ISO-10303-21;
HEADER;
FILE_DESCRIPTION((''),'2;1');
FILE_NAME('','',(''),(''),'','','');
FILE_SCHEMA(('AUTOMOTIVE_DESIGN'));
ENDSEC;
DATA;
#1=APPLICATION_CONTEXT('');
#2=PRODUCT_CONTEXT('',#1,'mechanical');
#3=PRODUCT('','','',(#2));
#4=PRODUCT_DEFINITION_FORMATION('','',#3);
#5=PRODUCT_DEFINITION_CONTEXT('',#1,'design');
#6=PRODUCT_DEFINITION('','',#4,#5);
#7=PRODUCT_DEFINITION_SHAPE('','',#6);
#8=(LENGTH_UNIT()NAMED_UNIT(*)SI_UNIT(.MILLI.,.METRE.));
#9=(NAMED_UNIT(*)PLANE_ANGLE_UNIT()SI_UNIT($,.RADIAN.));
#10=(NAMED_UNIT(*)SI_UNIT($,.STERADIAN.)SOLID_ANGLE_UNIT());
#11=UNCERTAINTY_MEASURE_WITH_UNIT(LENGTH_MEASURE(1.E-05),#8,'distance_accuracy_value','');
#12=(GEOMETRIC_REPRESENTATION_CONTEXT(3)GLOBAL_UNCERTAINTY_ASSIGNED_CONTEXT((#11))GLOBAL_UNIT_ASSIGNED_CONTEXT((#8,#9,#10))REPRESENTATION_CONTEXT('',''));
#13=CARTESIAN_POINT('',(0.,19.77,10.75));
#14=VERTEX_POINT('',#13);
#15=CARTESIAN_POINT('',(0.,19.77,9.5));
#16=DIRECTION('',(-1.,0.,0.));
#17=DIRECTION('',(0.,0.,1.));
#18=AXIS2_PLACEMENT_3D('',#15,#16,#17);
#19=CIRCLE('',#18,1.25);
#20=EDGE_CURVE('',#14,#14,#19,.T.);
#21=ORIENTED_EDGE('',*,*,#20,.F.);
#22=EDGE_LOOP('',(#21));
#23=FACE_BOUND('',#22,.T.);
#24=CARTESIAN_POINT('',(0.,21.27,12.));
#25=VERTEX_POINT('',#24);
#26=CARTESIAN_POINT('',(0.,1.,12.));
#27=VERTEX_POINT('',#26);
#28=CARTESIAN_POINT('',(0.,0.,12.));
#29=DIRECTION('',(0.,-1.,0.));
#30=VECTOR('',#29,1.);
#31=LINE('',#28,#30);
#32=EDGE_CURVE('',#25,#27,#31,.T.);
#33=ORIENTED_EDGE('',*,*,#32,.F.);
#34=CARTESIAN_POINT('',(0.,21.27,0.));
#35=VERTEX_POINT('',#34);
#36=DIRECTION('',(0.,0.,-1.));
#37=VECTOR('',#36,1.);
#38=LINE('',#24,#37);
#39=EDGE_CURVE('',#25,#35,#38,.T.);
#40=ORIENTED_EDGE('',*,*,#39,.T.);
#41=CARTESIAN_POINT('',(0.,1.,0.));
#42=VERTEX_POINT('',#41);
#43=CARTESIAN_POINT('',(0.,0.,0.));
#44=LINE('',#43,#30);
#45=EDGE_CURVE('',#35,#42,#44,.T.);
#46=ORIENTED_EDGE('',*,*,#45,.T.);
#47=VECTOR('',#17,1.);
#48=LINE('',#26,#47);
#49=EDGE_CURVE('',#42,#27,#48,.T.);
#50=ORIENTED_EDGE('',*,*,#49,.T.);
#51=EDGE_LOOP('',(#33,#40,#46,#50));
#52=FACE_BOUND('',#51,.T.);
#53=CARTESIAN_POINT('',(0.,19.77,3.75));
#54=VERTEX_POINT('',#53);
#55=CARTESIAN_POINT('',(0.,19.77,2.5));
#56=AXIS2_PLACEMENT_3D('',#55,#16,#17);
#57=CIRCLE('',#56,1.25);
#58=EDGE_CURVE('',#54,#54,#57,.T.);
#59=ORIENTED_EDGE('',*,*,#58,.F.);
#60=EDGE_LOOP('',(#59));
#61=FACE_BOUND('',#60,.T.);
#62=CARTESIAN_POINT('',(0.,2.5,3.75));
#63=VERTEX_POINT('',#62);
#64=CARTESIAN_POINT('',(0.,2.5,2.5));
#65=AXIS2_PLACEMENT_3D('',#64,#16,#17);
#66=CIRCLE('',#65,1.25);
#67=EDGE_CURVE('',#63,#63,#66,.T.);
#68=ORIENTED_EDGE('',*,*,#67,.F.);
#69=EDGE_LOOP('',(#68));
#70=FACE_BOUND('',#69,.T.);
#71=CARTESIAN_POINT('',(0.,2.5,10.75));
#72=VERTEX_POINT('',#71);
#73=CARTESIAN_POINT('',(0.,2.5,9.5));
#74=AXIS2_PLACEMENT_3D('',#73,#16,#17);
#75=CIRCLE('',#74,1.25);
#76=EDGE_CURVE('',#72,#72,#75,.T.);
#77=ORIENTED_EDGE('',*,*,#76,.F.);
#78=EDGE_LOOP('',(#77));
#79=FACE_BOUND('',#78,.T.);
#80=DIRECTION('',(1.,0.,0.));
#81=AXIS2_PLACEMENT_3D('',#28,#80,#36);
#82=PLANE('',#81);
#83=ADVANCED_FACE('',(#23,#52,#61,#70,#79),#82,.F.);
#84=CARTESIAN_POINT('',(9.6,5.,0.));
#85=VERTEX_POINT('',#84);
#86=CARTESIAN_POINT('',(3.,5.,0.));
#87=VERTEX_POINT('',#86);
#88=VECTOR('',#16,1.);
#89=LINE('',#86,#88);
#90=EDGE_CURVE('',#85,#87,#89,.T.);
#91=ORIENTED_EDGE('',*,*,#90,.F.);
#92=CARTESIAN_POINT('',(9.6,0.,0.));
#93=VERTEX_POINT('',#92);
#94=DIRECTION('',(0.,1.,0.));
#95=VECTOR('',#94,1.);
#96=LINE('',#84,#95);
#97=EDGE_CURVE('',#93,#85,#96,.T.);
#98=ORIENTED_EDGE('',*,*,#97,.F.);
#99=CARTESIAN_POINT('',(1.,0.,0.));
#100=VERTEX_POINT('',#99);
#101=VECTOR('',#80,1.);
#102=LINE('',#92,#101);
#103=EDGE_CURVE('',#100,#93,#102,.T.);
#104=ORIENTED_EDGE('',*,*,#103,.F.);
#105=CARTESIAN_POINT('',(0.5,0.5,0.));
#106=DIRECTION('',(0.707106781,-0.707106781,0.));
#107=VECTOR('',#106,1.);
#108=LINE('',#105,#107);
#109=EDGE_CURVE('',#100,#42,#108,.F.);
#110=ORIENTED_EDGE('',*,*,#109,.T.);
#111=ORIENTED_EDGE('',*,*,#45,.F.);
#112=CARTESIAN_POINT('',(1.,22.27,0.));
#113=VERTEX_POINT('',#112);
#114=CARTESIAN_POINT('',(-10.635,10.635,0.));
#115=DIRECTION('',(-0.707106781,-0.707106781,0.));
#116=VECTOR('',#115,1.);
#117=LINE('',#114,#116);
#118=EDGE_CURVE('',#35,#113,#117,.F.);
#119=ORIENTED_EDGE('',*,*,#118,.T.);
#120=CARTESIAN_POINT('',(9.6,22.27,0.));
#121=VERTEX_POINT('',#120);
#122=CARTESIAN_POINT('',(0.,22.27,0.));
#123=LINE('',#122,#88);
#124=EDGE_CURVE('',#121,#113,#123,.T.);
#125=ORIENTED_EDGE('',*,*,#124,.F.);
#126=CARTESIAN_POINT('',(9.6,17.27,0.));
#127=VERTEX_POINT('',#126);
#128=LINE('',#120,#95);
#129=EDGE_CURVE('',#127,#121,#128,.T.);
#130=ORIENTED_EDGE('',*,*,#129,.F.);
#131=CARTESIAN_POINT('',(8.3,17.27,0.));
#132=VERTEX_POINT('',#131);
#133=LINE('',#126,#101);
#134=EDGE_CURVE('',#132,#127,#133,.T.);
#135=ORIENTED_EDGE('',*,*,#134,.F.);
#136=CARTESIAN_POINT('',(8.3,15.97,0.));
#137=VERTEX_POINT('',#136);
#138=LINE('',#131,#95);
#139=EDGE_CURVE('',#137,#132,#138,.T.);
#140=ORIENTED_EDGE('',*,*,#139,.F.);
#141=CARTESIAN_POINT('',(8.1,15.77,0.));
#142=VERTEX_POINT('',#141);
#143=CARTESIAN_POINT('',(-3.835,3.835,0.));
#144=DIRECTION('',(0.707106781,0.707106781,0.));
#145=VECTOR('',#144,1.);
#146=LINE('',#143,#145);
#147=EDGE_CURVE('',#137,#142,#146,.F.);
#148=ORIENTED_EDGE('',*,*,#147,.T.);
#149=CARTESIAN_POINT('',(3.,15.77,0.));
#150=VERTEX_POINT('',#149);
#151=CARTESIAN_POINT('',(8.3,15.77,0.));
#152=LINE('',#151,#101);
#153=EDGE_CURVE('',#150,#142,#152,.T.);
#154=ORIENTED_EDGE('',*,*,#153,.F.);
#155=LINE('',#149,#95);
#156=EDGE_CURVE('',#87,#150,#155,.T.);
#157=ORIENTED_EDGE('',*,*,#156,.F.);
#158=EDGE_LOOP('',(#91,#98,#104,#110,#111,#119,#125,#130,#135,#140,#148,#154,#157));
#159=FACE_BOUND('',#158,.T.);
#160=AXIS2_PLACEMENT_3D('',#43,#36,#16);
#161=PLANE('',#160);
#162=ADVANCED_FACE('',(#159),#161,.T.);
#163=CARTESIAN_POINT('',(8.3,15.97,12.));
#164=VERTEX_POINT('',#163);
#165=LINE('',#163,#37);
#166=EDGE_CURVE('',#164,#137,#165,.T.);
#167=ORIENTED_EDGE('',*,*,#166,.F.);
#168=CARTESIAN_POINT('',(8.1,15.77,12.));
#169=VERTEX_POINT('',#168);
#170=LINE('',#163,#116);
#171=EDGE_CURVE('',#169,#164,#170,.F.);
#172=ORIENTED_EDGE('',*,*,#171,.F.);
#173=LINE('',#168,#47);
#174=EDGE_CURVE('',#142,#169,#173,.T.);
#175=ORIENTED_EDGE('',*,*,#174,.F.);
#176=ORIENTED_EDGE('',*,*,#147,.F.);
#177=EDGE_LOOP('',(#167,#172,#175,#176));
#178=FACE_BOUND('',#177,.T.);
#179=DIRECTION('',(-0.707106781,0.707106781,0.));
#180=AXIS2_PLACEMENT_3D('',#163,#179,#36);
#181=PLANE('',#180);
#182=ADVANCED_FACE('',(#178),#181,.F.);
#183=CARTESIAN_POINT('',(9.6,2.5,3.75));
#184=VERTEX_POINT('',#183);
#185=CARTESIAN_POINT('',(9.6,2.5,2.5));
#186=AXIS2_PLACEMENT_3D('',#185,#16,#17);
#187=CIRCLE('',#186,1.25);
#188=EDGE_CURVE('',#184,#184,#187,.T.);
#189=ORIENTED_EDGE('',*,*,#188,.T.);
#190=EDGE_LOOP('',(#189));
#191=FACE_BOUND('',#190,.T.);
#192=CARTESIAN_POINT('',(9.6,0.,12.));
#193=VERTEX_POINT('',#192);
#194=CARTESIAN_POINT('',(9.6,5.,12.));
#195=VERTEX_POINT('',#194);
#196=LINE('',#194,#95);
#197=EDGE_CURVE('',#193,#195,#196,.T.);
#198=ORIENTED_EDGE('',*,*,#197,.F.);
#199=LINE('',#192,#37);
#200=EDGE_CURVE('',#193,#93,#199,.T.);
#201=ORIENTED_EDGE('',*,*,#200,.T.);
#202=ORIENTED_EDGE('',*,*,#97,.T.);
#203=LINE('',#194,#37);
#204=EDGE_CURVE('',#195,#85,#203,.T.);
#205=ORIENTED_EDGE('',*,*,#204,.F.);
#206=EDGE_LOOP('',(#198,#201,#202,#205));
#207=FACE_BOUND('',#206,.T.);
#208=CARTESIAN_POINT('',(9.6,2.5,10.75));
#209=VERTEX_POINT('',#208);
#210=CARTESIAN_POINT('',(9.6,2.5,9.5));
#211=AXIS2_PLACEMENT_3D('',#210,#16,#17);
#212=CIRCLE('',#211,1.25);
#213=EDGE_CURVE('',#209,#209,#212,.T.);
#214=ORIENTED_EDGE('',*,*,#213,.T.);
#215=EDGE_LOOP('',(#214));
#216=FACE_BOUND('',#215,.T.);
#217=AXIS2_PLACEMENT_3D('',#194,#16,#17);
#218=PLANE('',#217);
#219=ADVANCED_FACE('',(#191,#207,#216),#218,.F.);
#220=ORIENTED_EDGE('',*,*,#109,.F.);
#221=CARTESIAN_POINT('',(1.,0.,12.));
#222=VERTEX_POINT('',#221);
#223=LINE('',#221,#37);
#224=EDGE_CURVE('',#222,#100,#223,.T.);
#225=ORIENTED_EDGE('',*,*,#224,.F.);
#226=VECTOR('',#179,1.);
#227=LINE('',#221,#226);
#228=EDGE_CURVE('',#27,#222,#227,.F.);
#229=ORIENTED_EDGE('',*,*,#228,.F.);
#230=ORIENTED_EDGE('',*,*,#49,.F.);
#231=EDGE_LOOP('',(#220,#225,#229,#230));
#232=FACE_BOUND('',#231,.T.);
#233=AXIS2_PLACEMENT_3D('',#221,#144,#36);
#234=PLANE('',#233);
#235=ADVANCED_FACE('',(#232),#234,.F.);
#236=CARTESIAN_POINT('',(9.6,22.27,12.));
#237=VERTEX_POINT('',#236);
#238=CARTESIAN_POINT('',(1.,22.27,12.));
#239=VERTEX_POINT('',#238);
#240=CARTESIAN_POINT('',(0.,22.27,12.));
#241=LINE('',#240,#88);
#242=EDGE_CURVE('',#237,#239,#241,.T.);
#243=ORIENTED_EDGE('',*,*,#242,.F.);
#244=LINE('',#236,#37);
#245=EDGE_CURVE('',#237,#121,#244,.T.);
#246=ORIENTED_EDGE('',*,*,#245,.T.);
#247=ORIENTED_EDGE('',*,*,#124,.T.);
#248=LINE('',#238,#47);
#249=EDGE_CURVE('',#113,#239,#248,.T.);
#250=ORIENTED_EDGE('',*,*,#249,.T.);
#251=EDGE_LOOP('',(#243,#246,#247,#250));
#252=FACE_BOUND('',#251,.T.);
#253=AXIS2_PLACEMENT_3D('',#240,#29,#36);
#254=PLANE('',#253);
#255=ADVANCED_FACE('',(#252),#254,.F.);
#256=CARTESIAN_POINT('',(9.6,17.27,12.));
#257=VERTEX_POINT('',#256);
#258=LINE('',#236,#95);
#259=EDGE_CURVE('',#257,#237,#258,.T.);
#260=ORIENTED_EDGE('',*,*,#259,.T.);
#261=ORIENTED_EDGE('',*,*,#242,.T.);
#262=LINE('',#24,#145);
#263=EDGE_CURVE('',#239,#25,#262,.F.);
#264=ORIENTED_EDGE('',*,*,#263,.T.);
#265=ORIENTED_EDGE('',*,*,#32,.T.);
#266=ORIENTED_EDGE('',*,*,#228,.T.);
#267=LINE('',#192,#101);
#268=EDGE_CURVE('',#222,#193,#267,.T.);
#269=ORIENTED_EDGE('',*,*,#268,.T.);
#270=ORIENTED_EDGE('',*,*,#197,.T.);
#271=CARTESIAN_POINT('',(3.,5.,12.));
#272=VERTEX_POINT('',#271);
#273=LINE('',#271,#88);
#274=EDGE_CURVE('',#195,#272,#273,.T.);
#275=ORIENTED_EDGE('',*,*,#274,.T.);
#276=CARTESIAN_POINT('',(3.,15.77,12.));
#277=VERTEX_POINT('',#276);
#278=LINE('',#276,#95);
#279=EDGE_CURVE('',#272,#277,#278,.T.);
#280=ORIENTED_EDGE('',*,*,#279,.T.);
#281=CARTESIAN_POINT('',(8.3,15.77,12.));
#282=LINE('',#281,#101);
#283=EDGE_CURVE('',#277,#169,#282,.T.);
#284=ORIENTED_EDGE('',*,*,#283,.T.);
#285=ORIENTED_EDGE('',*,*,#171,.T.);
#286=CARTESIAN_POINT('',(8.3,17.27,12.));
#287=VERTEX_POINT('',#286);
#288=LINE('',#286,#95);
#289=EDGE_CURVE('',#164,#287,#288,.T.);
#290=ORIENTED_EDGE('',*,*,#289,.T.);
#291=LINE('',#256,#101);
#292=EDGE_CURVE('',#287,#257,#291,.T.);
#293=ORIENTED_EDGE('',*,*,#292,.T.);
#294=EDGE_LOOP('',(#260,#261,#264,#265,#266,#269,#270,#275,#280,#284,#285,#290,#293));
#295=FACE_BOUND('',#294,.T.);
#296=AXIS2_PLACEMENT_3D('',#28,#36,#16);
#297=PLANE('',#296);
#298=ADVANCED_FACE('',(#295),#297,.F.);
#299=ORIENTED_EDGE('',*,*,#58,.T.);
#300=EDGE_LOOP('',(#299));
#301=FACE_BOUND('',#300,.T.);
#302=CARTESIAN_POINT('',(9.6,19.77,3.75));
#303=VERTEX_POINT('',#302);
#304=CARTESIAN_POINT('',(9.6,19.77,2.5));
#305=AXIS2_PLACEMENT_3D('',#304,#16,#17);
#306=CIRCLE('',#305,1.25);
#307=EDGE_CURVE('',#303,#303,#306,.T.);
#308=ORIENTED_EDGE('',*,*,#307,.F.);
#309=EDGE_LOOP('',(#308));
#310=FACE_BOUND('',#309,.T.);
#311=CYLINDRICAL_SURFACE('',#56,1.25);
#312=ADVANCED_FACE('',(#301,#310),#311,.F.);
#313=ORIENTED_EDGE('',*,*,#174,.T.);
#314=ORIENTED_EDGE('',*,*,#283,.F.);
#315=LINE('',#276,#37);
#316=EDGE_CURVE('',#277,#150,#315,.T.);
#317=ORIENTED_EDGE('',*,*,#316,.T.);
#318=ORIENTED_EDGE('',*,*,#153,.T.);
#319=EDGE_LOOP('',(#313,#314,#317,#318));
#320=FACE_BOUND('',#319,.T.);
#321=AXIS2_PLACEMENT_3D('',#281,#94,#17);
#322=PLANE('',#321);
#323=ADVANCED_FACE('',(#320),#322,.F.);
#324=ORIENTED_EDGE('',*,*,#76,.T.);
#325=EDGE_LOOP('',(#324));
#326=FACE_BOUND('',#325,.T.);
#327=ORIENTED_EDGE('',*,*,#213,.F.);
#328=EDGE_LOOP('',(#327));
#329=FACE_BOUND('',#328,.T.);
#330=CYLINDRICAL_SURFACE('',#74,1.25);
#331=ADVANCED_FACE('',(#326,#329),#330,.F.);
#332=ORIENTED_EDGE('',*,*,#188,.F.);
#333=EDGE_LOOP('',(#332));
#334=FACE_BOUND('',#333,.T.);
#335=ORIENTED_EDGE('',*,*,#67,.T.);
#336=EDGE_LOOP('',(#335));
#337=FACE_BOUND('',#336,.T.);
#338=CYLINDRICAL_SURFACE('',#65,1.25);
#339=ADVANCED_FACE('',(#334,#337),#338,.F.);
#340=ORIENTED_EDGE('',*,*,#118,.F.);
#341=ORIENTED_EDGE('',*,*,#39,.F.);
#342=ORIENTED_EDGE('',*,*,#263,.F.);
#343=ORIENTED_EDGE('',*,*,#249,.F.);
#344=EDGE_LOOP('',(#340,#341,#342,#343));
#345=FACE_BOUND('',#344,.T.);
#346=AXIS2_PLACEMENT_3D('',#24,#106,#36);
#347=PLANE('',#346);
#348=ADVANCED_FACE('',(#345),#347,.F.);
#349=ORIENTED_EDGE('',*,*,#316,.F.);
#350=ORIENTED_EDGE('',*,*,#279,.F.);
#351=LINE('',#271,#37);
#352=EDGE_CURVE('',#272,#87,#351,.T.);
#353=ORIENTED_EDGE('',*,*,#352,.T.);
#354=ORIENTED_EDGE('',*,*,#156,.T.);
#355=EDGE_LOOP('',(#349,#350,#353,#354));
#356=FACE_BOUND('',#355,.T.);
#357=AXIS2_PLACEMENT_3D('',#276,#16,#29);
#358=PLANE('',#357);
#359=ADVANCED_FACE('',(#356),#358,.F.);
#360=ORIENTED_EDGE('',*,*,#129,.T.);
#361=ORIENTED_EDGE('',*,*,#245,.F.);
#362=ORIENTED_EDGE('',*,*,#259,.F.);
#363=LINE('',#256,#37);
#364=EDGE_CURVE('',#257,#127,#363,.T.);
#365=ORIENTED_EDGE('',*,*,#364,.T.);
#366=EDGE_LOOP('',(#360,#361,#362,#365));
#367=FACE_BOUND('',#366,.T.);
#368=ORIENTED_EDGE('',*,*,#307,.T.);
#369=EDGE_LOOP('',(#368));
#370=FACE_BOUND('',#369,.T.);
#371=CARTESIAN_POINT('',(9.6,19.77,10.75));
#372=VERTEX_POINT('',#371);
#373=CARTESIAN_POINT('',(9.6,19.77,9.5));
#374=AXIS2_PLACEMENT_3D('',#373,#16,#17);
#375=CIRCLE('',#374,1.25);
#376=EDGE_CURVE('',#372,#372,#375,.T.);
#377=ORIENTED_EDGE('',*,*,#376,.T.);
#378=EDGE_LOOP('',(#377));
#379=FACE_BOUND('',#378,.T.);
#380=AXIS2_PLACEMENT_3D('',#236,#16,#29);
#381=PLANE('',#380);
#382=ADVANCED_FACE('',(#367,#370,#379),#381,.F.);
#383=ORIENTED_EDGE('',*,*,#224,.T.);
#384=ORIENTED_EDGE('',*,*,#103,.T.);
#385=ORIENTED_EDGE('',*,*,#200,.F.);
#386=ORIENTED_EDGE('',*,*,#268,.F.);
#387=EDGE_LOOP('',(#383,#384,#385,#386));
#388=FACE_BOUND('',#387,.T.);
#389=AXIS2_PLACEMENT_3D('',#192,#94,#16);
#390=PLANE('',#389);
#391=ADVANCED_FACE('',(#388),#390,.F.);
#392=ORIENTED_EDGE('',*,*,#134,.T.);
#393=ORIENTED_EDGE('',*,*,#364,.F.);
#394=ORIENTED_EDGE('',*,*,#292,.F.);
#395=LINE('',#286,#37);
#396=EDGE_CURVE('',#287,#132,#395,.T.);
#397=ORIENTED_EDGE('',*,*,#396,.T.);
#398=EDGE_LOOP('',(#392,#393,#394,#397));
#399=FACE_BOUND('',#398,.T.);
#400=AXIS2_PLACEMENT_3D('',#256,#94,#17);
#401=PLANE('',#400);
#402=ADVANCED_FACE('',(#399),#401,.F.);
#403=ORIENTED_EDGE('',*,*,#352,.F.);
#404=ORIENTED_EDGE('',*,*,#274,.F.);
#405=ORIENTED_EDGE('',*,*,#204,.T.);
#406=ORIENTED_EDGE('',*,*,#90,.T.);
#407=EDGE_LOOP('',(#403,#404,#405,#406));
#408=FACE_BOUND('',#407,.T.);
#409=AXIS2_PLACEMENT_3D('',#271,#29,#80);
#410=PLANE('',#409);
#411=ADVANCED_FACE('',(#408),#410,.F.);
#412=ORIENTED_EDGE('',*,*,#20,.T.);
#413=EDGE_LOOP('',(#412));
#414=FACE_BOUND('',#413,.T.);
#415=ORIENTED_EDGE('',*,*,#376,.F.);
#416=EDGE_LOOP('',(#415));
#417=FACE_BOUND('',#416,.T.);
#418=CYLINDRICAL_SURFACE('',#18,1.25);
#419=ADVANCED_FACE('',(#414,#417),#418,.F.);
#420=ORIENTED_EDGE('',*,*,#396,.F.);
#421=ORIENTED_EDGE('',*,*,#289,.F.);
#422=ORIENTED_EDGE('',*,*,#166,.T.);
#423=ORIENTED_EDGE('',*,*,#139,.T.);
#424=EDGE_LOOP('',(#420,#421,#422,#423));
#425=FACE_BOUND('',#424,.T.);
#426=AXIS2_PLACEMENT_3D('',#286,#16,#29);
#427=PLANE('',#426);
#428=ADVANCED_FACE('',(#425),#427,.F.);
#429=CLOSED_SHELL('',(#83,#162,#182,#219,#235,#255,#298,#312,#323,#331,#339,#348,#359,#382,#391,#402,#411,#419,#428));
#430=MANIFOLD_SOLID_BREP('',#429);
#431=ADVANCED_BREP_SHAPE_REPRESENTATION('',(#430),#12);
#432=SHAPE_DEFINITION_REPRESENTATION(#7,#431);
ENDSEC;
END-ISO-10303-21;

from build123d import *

# Parameters (mm, degrees)
EXTRUDE_1_DEPTH    = 12
CHAMFER_1_SIZE     = 0.2
HOLE_WIZARD_M3_2_D = 2.5
CHAMFER_2_SIZE     = 1


with BuildPart() as part:
    # 草图1 → 凸台-拉伸1 (new body)
    with BuildSketch(Plane.XY):
        Polygon((0, 0), (0, 22.27), (9.6, 22.27), (9.6, 17.27), (8.3, 17.27), (8.3, 15.77), (3, 15.77), (3, 5), (9.6, 5), (9.6, 0), align=None)
    extrude(amount=EXTRUDE_1_DEPTH)

    # 倒角1
    chamfer_1_edges = [part.edges().sort_by_distance(p)[0] for p in [
        (8.3, 15.77, 6),
    ]]
    chamfer(chamfer_1_edges, length=CHAMFER_1_SIZE)

    # M3 螺纹孔2 (through all)
    with Locations(Plane(origin=(0, 2.5, 2.5), x_dir=(0, 0, -1), z_dir=(-1, 0, 0))):
        with Locations((0, 0), (-7, 0), (-7, -17.27), (0, -17.27)):
            Hole(HOLE_WIZARD_M3_2_D / 2)

    # 倒角2
    chamfer_2_edges = [part.edges().sort_by_distance(p)[0] for p in [
        (0, 0, 6),
        (0, 22.27, 6),
    ]]
    chamfer(chamfer_2_edges, length=CHAMFER_2_SIZE)


solid = part.part
